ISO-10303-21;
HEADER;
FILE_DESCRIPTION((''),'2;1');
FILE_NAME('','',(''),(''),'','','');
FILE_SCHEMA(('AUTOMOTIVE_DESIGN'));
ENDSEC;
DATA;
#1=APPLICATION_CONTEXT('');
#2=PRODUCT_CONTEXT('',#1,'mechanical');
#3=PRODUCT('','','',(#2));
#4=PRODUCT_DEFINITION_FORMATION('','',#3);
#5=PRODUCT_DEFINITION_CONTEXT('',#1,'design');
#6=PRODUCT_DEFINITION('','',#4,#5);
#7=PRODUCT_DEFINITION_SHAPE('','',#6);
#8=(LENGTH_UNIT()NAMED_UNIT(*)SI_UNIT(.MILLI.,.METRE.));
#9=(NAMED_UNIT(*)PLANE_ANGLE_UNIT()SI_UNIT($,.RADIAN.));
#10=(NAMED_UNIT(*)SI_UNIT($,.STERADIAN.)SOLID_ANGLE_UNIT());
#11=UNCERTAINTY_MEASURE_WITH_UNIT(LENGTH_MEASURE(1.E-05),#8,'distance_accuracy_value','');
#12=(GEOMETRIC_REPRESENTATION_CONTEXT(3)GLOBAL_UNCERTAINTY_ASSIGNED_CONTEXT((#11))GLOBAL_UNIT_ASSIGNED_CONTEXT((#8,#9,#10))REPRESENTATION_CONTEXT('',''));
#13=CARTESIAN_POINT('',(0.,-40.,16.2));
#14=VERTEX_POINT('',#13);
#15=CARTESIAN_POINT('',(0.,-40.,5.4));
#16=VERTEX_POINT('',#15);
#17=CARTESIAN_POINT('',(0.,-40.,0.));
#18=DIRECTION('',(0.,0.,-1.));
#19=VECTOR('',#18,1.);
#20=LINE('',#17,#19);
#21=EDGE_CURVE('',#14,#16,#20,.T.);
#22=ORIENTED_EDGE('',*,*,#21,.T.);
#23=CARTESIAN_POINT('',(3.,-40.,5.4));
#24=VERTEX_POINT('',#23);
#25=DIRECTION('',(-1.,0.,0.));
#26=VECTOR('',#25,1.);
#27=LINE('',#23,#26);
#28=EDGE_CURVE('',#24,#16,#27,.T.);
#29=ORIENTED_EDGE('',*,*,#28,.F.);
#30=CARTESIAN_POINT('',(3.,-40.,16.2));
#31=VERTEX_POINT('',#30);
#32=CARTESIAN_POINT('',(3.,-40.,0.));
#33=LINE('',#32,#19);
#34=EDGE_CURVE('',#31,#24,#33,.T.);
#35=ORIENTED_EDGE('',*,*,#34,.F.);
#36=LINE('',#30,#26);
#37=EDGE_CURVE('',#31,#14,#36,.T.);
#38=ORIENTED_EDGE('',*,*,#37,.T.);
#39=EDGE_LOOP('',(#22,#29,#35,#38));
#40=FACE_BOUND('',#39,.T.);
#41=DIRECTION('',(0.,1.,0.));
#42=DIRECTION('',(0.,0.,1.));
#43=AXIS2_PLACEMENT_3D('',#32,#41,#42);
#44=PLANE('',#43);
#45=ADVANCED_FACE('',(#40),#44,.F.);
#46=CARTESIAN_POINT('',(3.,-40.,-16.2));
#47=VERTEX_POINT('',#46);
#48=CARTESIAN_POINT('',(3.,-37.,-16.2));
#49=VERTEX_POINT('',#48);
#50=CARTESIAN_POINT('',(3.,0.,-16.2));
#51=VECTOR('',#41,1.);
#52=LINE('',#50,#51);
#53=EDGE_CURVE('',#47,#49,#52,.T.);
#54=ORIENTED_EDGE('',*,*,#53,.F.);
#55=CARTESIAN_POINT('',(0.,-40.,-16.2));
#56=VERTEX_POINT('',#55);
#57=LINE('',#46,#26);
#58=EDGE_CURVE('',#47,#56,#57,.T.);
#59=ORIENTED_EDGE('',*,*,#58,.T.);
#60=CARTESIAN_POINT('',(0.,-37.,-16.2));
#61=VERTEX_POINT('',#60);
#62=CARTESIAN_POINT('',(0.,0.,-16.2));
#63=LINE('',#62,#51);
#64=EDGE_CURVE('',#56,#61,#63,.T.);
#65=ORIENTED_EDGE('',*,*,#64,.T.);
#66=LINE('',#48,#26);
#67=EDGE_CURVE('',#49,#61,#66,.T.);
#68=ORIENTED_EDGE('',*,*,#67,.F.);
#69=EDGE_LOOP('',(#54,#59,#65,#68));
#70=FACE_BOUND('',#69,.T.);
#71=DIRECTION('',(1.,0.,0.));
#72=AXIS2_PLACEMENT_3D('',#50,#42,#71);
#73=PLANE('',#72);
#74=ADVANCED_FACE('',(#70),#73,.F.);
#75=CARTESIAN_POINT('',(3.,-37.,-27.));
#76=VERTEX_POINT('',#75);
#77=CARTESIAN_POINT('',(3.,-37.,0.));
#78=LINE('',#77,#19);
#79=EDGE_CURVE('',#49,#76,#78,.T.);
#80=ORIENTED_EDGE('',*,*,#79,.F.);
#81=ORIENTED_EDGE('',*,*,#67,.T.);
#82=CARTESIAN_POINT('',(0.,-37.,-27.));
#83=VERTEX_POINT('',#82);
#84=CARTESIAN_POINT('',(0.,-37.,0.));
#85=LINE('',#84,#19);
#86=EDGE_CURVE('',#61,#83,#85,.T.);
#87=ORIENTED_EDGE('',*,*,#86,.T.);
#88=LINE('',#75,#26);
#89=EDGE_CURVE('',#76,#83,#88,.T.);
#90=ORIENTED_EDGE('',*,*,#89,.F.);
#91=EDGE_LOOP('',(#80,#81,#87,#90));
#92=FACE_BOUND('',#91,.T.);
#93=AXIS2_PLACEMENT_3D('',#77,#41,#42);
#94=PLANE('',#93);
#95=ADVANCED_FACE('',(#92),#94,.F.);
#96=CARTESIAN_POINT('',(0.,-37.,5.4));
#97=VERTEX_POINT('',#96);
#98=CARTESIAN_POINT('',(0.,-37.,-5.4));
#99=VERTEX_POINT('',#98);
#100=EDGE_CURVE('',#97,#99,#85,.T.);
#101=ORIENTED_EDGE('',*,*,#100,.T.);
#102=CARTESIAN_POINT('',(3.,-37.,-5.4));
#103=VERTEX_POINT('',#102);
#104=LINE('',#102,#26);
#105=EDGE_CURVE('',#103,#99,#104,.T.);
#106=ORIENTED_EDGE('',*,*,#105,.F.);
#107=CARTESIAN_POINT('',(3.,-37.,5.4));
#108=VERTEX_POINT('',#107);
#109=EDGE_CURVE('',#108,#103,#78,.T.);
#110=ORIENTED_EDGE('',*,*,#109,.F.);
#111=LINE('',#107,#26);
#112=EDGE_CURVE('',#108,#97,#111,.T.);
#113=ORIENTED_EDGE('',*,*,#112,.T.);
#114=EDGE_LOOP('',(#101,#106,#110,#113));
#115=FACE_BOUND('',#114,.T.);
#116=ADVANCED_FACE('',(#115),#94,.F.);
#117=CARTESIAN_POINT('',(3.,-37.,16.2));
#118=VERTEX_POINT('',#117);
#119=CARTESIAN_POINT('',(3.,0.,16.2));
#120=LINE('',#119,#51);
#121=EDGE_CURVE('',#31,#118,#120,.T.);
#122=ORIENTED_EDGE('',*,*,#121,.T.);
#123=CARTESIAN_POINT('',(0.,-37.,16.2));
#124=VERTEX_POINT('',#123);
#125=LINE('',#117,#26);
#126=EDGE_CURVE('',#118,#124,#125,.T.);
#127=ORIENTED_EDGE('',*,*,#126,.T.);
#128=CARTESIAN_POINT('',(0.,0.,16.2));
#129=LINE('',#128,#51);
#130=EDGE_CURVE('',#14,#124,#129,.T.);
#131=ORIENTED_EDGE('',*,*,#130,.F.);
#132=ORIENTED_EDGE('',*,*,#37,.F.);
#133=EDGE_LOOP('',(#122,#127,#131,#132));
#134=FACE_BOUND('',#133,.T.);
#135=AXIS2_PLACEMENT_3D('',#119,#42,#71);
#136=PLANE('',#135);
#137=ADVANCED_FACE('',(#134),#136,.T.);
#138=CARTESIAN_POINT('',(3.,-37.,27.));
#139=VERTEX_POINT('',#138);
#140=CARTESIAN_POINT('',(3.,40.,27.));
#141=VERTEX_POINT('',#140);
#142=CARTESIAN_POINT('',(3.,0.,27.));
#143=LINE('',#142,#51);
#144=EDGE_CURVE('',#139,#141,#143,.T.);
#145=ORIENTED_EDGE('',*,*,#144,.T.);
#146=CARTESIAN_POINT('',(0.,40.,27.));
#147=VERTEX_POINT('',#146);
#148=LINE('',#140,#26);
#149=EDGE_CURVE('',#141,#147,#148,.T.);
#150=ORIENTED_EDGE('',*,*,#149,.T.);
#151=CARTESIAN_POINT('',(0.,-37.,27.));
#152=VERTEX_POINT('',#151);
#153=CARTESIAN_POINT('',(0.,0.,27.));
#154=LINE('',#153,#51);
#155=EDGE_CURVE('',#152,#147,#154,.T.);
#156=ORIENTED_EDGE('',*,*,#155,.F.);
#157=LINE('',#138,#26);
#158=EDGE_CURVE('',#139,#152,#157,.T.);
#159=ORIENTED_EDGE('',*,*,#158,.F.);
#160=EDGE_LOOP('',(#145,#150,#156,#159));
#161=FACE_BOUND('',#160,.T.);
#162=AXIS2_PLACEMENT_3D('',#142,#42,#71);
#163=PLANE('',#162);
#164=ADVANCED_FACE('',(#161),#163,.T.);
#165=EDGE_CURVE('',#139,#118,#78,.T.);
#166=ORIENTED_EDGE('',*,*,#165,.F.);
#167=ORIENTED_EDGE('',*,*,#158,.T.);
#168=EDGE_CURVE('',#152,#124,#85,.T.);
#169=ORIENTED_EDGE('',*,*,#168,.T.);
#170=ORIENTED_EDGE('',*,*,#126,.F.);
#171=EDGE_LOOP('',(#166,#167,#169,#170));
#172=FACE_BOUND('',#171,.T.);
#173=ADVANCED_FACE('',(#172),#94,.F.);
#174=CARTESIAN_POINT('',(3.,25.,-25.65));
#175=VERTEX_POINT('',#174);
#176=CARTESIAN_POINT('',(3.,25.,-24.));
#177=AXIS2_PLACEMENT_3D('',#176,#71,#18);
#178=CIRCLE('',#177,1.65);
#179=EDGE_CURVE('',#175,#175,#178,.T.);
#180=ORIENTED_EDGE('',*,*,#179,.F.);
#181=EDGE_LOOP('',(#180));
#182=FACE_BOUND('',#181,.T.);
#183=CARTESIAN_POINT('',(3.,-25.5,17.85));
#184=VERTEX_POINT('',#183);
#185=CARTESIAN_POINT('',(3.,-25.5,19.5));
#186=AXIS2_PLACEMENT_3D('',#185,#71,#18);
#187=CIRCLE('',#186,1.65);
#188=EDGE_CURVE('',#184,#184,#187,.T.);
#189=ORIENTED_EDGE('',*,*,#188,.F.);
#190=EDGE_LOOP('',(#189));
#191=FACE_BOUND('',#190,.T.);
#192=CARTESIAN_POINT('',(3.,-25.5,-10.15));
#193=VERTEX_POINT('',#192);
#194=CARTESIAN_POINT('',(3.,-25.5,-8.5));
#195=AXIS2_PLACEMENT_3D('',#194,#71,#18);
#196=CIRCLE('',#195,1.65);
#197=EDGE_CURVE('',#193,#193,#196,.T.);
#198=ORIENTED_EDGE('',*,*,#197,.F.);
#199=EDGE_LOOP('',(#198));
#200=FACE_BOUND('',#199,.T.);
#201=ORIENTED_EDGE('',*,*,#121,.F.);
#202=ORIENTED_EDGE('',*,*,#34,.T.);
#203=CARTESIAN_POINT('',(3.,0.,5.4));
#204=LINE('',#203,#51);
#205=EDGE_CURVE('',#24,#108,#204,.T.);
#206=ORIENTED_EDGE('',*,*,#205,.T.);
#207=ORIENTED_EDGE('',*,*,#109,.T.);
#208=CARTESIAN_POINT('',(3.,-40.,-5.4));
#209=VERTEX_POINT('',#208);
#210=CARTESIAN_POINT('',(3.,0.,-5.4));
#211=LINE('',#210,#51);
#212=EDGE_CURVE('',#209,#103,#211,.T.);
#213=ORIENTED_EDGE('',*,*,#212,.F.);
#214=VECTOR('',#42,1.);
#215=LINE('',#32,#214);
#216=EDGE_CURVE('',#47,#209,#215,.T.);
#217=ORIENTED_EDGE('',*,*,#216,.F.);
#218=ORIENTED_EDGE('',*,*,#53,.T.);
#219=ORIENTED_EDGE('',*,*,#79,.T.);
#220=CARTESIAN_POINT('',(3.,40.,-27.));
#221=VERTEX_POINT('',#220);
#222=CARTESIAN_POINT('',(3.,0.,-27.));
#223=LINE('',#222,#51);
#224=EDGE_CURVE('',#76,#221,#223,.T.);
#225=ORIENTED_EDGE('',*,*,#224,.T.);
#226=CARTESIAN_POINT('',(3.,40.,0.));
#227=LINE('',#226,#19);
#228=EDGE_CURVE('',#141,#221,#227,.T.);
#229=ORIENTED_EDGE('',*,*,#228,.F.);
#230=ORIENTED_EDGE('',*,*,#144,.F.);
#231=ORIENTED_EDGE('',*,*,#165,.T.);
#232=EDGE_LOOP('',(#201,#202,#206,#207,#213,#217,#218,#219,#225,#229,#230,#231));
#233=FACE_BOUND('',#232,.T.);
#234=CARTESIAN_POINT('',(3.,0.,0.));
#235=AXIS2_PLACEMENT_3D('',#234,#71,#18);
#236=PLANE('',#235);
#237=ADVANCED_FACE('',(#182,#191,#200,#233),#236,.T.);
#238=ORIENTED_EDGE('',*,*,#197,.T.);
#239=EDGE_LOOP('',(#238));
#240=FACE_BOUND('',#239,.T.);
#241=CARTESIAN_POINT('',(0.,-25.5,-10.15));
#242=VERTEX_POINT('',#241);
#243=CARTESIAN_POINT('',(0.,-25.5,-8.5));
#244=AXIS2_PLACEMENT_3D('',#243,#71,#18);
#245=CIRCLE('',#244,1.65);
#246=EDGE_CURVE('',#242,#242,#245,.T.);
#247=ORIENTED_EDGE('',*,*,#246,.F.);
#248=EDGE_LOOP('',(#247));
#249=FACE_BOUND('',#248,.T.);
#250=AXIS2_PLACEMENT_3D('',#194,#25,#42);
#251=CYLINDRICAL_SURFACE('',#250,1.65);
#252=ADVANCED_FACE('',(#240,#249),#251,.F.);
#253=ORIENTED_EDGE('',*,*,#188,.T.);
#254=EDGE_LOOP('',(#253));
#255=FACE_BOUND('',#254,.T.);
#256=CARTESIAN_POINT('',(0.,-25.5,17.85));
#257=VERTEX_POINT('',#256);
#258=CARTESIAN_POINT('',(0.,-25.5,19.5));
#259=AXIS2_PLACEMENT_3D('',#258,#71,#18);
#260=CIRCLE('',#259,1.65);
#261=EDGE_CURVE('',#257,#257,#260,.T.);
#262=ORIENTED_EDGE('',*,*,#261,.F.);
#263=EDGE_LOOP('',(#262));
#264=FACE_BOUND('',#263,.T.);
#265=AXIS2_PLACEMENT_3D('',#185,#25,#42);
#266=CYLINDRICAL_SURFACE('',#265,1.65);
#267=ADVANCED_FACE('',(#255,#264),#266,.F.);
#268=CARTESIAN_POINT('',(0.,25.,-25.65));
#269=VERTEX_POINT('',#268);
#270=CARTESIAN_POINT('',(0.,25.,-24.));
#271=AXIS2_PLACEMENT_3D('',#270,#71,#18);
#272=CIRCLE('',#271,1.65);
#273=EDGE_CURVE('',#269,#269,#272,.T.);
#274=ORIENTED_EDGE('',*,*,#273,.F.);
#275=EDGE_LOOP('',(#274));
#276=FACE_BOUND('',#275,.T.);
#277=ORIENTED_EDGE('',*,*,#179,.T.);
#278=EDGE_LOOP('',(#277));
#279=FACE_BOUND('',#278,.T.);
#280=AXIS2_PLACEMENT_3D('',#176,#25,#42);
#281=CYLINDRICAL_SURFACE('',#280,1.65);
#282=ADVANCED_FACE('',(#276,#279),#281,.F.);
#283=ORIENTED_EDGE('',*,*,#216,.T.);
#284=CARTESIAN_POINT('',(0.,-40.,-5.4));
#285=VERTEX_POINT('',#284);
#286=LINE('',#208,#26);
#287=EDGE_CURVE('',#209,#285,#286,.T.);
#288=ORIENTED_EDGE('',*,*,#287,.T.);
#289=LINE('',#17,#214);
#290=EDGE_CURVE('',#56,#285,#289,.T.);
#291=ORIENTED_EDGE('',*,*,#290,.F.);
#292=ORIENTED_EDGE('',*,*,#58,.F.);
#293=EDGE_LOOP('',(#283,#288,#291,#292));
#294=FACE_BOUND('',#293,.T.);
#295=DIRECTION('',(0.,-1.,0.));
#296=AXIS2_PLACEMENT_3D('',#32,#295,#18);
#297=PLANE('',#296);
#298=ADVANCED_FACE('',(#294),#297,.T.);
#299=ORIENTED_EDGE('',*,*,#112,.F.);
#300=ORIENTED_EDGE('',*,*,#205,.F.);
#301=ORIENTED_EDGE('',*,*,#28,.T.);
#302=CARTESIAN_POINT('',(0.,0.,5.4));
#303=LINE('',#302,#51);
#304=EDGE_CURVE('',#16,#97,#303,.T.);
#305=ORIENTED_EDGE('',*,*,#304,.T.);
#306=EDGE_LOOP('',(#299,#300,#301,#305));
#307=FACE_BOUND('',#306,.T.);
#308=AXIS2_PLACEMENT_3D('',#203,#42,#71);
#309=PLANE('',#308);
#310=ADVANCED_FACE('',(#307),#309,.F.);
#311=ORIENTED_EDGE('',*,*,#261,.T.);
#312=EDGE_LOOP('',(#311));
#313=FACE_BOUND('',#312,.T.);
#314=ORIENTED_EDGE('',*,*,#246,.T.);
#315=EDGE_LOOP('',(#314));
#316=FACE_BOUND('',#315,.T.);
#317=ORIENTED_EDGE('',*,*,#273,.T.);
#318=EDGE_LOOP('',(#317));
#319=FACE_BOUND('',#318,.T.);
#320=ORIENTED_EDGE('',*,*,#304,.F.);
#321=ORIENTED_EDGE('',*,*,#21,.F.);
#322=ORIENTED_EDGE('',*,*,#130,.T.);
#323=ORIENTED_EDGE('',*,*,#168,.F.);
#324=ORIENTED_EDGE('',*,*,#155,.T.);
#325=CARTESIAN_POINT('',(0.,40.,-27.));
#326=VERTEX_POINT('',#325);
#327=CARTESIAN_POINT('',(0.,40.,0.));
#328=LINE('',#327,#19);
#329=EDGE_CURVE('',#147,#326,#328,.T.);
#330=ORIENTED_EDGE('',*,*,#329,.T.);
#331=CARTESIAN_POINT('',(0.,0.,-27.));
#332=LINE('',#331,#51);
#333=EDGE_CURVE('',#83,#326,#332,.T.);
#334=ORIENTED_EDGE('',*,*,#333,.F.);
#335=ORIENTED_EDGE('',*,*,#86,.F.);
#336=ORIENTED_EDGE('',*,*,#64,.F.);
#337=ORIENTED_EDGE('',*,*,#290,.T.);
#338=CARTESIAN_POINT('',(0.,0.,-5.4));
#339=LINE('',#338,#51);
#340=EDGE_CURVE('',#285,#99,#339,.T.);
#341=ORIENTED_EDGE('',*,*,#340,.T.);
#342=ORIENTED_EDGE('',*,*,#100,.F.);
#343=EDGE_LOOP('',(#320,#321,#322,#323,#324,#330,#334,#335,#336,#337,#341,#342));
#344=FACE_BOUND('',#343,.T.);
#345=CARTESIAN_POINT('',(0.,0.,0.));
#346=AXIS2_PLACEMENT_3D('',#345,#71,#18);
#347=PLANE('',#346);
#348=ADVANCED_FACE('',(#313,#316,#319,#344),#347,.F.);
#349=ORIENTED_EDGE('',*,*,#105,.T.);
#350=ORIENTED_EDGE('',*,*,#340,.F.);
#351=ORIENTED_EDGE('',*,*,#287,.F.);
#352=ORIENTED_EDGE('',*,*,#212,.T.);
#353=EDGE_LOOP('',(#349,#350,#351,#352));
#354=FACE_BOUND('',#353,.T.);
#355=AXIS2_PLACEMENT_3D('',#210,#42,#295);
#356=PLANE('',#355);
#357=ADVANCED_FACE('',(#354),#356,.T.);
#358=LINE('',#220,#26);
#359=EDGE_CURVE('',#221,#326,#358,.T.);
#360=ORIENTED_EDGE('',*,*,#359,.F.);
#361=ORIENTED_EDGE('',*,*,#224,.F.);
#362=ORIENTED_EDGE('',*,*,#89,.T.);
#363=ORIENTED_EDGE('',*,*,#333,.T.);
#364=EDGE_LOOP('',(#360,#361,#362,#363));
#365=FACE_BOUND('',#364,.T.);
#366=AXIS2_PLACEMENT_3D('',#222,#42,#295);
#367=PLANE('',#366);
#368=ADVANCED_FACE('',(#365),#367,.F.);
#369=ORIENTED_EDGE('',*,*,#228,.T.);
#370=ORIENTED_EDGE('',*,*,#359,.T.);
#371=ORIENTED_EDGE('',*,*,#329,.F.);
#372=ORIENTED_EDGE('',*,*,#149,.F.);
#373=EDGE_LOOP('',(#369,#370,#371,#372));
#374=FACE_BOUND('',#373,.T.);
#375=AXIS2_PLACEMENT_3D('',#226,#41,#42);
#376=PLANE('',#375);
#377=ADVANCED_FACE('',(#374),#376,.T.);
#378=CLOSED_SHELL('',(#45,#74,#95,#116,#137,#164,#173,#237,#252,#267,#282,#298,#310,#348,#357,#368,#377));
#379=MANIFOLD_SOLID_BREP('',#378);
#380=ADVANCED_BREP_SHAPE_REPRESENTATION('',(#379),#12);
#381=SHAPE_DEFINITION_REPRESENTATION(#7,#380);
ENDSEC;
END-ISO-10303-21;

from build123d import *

# Parameters (mm, degrees)
SKETCH1_R           = 1.65
BOSS_EXTRUDE1_DEPTH = 3


with BuildPart() as part:
    # Sketch1 → Boss-Extrude1 (new body)
    with BuildSketch(Plane(origin=(0, 0, 0), x_dir=(0, 0, -1), z_dir=(1, 0, 0))):
        Polygon((-27, 40), (27, 40), (27, -37), (16.2, -37), (16.2, -40), (5.4, -40), (5.4, -37), (-5.4, -37), (-5.4, -40), (-16.2, -40), (-16.2, -37), (-27, -37), align=None)
        with Locations((8.5, -25.5)):
            Circle(SKETCH1_R, mode=Mode.SUBTRACT)
        with Locations((-19.5, -25.5)):
            Circle(SKETCH1_R, mode=Mode.SUBTRACT)
        with Locations((24, 25)):
            Circle(SKETCH1_R, mode=Mode.SUBTRACT)
    extrude(amount=BOSS_EXTRUDE1_DEPTH)


solid = part.part
